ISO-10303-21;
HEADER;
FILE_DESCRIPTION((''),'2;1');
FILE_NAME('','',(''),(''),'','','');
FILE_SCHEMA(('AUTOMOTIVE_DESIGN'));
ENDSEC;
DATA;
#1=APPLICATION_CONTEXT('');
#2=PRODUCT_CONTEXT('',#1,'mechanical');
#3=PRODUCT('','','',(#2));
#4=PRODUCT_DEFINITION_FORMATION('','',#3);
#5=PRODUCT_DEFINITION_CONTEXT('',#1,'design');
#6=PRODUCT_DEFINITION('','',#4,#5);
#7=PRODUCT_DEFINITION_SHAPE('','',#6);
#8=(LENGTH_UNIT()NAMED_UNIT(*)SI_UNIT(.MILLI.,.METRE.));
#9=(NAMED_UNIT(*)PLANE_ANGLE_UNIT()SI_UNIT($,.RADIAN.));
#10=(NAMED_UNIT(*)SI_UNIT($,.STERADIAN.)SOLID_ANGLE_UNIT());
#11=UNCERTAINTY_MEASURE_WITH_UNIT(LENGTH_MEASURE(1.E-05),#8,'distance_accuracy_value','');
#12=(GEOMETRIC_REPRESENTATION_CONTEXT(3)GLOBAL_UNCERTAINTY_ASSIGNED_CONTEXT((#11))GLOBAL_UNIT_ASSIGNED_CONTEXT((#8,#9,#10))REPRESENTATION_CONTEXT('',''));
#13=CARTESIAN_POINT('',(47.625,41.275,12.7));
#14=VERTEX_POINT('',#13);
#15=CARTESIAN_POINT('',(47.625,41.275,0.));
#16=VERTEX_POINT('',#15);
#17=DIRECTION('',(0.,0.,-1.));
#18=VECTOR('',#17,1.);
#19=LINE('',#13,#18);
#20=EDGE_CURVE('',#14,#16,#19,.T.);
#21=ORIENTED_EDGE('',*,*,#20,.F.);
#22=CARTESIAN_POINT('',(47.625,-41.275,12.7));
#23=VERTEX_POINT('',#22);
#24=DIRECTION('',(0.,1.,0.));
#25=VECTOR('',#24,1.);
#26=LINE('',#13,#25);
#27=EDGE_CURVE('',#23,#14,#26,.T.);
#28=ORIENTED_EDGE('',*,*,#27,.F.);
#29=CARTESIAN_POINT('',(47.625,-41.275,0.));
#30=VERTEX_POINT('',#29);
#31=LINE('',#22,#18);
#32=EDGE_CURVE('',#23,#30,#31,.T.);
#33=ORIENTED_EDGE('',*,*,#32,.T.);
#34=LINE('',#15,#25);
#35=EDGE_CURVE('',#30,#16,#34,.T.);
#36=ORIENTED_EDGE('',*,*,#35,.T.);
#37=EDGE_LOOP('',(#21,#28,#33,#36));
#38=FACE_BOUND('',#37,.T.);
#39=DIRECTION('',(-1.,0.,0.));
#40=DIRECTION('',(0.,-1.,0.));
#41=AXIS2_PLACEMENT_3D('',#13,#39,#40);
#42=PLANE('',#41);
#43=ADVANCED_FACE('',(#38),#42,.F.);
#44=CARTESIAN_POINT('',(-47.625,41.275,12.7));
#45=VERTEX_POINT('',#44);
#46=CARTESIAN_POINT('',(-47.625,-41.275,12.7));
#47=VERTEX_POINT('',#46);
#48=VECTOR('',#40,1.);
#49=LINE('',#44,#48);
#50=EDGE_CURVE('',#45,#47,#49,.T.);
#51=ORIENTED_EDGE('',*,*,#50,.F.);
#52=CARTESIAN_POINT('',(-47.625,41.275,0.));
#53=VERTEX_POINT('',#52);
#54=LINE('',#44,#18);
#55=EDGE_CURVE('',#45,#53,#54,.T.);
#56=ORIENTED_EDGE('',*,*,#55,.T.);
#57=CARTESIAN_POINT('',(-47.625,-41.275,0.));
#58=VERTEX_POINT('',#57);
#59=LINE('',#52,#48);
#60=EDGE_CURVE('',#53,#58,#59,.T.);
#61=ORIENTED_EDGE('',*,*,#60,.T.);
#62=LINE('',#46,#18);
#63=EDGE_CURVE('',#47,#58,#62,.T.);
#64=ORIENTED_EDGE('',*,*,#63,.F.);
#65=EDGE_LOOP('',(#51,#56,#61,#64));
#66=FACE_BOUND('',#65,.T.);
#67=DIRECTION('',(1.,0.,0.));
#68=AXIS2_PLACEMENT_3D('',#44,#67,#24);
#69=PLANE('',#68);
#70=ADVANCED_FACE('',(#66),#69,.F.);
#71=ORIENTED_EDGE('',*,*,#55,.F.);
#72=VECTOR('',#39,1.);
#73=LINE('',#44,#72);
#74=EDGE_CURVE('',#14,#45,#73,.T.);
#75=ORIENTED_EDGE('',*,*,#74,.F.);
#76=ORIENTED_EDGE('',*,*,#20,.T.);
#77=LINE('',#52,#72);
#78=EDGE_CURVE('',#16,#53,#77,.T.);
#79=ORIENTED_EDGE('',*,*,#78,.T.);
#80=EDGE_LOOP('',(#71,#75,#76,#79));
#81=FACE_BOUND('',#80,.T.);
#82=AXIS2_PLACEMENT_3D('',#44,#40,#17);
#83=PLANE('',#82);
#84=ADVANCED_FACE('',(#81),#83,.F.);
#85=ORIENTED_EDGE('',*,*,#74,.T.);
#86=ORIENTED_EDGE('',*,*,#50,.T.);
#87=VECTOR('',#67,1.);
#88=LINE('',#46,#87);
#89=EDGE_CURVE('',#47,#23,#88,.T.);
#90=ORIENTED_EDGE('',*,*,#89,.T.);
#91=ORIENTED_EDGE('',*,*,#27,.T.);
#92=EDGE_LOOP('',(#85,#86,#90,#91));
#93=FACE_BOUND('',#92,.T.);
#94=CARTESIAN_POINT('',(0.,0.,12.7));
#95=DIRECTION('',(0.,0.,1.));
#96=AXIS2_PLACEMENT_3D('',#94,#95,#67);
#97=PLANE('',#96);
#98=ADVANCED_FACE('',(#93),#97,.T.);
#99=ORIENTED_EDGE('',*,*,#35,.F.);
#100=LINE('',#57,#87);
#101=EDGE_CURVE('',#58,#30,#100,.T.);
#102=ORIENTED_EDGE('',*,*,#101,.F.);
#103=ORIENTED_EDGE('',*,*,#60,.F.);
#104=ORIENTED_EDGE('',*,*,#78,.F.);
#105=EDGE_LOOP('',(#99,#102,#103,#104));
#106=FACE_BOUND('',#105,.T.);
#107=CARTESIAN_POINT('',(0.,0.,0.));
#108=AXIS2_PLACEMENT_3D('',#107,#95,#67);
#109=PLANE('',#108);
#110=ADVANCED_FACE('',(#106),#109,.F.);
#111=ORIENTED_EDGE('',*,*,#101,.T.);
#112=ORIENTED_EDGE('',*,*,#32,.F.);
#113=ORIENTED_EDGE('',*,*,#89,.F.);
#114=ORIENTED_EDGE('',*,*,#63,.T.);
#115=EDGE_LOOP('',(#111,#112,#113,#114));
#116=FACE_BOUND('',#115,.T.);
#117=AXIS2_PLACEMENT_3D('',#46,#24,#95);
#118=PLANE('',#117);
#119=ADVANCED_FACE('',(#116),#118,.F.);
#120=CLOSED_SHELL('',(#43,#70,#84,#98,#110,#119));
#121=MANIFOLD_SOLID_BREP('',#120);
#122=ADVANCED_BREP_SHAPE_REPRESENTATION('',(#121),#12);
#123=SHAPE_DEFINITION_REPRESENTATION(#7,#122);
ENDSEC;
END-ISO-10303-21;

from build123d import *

# Parameters (mm, degrees)
ESQUISSE1_W        = 95.25
ESQUISSE1_H        = 82.55
BOSS_EXTRU_1_DEPTH = 12.7


with BuildPart() as part:
    # Esquisse1 → Boss.-Extru.1 (new body)
    with BuildSketch(Plane.XY):
        Rectangle(ESQUISSE1_W, ESQUISSE1_H)
    extrude(amount=BOSS_EXTRU_1_DEPTH)


solid = part.part
